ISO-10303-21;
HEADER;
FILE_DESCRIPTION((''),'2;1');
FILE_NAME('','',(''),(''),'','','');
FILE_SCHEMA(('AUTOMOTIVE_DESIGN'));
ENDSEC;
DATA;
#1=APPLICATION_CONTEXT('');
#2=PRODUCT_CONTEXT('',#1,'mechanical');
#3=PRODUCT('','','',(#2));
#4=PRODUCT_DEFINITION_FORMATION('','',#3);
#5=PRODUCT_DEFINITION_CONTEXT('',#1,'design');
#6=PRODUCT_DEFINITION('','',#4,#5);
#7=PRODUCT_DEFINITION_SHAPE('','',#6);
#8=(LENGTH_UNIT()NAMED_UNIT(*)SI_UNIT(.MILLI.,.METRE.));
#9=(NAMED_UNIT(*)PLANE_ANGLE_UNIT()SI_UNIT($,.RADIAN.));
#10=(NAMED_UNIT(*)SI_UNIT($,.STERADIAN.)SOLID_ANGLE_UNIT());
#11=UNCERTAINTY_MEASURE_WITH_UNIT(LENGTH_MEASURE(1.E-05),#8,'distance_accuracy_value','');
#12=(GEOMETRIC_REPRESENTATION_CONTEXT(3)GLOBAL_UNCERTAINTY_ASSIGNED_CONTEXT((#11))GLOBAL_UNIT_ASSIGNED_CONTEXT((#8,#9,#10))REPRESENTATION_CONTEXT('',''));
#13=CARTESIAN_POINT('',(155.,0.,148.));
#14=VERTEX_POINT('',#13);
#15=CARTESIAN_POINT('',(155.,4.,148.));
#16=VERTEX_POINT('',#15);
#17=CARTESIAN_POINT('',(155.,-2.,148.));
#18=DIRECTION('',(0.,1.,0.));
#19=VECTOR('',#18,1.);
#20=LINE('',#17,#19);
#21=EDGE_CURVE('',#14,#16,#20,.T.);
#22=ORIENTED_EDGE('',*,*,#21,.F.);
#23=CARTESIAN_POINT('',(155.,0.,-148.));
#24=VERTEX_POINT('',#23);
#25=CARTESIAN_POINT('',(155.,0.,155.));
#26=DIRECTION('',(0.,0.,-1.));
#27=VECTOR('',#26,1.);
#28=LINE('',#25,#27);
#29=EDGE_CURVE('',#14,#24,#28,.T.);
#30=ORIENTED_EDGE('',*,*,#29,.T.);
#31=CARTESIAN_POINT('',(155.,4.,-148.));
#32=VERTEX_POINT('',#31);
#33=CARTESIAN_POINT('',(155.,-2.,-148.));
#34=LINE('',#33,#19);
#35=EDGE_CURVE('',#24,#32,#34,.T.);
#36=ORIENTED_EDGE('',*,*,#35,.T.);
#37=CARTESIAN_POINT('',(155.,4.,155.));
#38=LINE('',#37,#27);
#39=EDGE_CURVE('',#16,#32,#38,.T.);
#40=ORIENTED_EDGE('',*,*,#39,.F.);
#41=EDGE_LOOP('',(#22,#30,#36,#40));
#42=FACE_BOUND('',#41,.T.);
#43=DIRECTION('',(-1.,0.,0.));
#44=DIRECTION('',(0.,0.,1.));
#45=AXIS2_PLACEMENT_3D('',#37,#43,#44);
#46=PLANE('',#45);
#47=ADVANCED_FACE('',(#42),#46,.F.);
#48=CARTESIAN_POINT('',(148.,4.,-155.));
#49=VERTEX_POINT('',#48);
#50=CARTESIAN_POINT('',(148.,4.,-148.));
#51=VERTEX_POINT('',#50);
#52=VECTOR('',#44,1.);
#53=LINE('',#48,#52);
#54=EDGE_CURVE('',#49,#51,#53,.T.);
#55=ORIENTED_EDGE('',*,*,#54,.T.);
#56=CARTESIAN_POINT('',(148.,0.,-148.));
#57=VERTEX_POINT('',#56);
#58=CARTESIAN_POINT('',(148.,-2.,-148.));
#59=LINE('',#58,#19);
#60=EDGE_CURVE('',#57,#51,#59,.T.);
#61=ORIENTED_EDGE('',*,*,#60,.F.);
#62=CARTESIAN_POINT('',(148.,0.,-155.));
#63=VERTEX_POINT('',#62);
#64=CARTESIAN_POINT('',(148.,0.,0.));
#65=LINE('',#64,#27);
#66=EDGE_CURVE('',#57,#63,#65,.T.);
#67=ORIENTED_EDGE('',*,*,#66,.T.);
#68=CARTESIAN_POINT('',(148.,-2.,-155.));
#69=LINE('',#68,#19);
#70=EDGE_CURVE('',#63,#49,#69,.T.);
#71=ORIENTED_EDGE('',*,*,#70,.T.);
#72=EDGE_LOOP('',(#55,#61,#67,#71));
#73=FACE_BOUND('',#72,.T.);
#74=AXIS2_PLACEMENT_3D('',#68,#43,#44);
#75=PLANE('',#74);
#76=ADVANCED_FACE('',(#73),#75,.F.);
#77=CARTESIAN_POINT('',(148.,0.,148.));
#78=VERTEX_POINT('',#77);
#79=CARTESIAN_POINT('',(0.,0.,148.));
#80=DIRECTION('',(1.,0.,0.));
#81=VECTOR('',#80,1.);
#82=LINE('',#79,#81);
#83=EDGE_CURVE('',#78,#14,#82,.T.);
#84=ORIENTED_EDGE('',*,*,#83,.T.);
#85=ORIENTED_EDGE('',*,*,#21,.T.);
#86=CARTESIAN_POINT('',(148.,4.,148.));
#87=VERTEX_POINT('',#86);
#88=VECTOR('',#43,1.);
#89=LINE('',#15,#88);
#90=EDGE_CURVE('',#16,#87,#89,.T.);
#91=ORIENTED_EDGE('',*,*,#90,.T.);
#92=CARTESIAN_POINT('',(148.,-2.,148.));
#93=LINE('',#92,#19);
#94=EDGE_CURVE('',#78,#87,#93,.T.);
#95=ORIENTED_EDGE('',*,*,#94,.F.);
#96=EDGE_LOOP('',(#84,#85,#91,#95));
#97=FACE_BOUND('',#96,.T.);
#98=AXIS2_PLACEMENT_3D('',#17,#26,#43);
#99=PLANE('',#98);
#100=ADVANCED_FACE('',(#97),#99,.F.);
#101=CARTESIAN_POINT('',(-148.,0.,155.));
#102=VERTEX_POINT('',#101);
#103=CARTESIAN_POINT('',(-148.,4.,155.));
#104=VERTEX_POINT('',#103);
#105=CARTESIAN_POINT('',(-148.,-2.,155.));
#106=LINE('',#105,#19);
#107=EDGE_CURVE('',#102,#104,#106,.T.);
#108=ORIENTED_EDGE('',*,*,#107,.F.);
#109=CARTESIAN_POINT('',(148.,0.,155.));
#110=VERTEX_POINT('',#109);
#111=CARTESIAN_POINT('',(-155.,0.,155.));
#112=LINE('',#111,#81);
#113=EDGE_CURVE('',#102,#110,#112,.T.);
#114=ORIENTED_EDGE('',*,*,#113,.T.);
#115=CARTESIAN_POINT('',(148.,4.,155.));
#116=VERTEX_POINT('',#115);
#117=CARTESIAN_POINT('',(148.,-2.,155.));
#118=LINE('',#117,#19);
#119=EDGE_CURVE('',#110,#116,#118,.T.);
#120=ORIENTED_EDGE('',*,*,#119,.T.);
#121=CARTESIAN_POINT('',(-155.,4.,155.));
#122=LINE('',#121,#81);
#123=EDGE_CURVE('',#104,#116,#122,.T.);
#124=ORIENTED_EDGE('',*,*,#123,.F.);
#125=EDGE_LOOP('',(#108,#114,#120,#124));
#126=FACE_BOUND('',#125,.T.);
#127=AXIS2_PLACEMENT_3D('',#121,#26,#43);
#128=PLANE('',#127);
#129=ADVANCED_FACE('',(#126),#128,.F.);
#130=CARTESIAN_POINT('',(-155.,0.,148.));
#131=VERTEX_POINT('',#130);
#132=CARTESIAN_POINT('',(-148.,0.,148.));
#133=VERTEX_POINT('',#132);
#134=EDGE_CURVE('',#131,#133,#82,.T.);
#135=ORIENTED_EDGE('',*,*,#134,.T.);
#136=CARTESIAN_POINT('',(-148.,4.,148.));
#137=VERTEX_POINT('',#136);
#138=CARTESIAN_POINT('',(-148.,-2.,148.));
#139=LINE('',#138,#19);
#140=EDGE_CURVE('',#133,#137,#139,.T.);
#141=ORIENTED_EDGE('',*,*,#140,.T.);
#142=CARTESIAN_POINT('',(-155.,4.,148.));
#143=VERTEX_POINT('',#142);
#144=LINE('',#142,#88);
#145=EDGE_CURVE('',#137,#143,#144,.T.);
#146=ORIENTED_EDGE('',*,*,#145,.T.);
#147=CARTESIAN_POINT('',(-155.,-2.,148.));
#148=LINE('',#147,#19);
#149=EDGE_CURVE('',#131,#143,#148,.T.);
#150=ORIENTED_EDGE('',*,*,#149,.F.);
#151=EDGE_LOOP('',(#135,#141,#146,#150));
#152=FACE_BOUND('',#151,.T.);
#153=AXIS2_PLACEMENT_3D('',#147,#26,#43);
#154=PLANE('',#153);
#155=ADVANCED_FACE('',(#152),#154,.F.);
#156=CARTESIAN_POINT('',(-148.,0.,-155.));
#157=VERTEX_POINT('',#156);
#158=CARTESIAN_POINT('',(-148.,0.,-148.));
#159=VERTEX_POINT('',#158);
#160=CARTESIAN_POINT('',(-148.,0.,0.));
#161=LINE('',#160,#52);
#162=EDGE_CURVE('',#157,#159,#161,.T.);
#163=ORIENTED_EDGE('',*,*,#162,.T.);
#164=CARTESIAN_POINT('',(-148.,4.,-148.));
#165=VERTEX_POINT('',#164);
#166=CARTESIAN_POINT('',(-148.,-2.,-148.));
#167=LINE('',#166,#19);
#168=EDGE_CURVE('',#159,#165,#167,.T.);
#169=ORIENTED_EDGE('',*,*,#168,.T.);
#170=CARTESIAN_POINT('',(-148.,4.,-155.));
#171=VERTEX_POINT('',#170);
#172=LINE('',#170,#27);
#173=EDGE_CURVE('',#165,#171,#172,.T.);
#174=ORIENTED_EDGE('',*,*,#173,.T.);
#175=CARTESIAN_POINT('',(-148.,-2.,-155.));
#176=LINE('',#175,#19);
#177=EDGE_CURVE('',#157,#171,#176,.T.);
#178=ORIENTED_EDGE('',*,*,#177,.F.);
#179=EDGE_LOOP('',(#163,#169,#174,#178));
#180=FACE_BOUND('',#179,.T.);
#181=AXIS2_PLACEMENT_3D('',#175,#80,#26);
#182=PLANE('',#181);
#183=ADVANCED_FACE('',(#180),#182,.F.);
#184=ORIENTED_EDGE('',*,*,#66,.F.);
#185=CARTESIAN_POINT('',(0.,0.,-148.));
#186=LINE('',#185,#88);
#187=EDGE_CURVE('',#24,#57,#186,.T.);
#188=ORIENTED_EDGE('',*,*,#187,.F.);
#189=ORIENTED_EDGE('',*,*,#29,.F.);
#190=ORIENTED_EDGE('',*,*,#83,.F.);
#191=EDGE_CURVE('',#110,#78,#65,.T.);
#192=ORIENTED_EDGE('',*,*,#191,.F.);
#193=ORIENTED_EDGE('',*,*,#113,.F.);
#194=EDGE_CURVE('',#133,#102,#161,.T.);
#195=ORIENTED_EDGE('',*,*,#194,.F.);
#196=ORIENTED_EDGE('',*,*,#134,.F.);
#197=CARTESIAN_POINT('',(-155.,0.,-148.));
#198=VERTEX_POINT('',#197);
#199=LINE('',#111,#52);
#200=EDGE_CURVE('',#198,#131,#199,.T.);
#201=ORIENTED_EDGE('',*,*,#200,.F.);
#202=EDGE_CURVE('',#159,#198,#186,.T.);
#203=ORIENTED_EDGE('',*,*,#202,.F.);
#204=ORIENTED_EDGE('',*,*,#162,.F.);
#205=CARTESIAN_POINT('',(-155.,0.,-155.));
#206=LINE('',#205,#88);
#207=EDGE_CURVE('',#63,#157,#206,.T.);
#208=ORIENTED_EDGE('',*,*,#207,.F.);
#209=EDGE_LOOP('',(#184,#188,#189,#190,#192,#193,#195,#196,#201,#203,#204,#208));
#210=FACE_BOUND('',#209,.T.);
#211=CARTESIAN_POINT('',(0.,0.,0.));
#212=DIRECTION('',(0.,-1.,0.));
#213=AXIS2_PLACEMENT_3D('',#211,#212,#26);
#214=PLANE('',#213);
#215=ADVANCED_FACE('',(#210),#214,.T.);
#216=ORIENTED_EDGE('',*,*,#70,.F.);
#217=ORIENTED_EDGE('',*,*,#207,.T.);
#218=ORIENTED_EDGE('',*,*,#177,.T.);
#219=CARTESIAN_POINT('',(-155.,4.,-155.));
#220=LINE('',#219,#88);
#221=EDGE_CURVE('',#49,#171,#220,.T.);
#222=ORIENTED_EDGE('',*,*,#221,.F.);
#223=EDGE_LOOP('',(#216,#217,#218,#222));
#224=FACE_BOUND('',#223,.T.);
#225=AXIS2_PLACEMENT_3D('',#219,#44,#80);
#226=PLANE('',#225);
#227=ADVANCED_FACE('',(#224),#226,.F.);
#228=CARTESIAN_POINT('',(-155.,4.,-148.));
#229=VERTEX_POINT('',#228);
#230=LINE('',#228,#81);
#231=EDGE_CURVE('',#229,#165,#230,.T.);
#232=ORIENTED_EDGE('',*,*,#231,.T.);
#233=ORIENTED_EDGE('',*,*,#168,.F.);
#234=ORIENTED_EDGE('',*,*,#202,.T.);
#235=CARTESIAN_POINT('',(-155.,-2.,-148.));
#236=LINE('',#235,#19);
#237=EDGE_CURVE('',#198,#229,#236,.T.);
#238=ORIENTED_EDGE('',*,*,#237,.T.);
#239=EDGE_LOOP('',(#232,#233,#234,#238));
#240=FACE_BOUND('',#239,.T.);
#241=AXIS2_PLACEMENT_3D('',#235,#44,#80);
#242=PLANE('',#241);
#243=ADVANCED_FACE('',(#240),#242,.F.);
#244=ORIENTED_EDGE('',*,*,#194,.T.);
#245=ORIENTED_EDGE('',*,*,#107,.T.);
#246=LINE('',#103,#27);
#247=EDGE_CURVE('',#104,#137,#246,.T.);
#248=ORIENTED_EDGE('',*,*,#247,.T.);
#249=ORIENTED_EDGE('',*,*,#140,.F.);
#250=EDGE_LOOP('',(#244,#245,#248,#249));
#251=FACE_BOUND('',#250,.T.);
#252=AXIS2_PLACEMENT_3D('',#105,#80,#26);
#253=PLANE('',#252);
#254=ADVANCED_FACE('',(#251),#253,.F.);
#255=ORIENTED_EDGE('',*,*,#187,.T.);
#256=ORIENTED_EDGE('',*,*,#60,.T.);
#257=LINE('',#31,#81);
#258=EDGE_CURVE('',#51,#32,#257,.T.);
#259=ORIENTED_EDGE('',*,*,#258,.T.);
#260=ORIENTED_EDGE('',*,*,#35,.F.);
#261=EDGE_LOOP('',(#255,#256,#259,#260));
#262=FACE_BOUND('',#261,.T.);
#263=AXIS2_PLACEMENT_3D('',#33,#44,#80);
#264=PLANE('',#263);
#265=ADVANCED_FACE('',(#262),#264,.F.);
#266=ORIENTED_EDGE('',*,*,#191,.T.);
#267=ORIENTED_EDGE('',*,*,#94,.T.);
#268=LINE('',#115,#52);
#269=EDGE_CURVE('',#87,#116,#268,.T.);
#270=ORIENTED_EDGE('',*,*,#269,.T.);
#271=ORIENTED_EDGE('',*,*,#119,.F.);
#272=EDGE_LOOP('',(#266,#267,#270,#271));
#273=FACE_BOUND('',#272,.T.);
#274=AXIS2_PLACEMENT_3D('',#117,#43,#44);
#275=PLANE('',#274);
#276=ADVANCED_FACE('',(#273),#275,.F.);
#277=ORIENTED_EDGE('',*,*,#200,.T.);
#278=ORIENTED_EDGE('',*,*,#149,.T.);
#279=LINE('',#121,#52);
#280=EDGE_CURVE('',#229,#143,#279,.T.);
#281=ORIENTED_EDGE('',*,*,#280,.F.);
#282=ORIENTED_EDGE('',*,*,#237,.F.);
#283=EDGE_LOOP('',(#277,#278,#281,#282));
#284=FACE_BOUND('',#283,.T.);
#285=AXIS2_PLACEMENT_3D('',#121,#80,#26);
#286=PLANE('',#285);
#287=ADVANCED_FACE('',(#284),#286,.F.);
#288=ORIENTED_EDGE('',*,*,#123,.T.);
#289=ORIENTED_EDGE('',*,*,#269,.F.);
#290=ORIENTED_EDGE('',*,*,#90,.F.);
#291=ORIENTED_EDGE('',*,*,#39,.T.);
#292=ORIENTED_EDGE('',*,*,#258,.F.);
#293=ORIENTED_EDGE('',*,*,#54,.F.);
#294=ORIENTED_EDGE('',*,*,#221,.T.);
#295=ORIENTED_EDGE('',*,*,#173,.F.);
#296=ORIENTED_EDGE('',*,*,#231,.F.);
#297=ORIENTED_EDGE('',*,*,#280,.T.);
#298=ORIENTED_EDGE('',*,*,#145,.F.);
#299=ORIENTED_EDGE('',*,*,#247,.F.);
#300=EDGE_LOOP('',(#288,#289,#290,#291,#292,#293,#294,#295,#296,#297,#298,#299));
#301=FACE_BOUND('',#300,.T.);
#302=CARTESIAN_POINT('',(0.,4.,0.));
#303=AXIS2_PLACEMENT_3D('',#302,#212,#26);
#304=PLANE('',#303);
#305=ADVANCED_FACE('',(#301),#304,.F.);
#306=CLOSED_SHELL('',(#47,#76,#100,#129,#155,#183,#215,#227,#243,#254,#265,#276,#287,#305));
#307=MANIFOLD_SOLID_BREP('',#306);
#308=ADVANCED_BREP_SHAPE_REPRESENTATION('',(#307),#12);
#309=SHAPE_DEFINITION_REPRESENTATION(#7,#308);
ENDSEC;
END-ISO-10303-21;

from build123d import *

# Parameters (mm, degrees)
SKETCH_1_W               = 310
SKETCH_1_H               = 310
EXTRUDE_1_DEPTH          = 4
SKETCH_2_W               = 7
SKETCH_2_H               = 7
CUT_EXTRUDE_1_DEPTH      = 6
PATTERN_CIRCULAR_1_COUNT = 4


with BuildPart() as part:
    # 草图1 → 凸台-拉伸1 (new body)
    with BuildSketch(Plane(origin=(0, 0, 0), x_dir=(1, 0, 0), z_dir=(0, 1, 0))):
        Rectangle(SKETCH_1_W, SKETCH_1_H)
    extrude(amount=EXTRUDE_1_DEPTH)

    # 草图2 → 切除-拉伸1 (cut)
    with BuildSketch(Plane(origin=(0, 4, 0), x_dir=(1, 0, 0), z_dir=(0, 1, 0))):
        with Locations((151.5, -151.5)):
            Rectangle(SKETCH_2_W, SKETCH_2_H)
    cut_extrude_1 = extrude(amount=-CUT_EXTRUDE_1_DEPTH, mode=Mode.SUBTRACT)

    # 阵列(圆周)1: 切除-拉伸1 ×4 about axis
    pattern_circular_1_axis = Axis((0, 0, 0), (0, 1, 0))
    for i in range(1, PATTERN_CIRCULAR_1_COUNT):
        add(cut_extrude_1.rotate(pattern_circular_1_axis, i * 360 / PATTERN_CIRCULAR_1_COUNT), mode=Mode.SUBTRACT)


solid = part.part
